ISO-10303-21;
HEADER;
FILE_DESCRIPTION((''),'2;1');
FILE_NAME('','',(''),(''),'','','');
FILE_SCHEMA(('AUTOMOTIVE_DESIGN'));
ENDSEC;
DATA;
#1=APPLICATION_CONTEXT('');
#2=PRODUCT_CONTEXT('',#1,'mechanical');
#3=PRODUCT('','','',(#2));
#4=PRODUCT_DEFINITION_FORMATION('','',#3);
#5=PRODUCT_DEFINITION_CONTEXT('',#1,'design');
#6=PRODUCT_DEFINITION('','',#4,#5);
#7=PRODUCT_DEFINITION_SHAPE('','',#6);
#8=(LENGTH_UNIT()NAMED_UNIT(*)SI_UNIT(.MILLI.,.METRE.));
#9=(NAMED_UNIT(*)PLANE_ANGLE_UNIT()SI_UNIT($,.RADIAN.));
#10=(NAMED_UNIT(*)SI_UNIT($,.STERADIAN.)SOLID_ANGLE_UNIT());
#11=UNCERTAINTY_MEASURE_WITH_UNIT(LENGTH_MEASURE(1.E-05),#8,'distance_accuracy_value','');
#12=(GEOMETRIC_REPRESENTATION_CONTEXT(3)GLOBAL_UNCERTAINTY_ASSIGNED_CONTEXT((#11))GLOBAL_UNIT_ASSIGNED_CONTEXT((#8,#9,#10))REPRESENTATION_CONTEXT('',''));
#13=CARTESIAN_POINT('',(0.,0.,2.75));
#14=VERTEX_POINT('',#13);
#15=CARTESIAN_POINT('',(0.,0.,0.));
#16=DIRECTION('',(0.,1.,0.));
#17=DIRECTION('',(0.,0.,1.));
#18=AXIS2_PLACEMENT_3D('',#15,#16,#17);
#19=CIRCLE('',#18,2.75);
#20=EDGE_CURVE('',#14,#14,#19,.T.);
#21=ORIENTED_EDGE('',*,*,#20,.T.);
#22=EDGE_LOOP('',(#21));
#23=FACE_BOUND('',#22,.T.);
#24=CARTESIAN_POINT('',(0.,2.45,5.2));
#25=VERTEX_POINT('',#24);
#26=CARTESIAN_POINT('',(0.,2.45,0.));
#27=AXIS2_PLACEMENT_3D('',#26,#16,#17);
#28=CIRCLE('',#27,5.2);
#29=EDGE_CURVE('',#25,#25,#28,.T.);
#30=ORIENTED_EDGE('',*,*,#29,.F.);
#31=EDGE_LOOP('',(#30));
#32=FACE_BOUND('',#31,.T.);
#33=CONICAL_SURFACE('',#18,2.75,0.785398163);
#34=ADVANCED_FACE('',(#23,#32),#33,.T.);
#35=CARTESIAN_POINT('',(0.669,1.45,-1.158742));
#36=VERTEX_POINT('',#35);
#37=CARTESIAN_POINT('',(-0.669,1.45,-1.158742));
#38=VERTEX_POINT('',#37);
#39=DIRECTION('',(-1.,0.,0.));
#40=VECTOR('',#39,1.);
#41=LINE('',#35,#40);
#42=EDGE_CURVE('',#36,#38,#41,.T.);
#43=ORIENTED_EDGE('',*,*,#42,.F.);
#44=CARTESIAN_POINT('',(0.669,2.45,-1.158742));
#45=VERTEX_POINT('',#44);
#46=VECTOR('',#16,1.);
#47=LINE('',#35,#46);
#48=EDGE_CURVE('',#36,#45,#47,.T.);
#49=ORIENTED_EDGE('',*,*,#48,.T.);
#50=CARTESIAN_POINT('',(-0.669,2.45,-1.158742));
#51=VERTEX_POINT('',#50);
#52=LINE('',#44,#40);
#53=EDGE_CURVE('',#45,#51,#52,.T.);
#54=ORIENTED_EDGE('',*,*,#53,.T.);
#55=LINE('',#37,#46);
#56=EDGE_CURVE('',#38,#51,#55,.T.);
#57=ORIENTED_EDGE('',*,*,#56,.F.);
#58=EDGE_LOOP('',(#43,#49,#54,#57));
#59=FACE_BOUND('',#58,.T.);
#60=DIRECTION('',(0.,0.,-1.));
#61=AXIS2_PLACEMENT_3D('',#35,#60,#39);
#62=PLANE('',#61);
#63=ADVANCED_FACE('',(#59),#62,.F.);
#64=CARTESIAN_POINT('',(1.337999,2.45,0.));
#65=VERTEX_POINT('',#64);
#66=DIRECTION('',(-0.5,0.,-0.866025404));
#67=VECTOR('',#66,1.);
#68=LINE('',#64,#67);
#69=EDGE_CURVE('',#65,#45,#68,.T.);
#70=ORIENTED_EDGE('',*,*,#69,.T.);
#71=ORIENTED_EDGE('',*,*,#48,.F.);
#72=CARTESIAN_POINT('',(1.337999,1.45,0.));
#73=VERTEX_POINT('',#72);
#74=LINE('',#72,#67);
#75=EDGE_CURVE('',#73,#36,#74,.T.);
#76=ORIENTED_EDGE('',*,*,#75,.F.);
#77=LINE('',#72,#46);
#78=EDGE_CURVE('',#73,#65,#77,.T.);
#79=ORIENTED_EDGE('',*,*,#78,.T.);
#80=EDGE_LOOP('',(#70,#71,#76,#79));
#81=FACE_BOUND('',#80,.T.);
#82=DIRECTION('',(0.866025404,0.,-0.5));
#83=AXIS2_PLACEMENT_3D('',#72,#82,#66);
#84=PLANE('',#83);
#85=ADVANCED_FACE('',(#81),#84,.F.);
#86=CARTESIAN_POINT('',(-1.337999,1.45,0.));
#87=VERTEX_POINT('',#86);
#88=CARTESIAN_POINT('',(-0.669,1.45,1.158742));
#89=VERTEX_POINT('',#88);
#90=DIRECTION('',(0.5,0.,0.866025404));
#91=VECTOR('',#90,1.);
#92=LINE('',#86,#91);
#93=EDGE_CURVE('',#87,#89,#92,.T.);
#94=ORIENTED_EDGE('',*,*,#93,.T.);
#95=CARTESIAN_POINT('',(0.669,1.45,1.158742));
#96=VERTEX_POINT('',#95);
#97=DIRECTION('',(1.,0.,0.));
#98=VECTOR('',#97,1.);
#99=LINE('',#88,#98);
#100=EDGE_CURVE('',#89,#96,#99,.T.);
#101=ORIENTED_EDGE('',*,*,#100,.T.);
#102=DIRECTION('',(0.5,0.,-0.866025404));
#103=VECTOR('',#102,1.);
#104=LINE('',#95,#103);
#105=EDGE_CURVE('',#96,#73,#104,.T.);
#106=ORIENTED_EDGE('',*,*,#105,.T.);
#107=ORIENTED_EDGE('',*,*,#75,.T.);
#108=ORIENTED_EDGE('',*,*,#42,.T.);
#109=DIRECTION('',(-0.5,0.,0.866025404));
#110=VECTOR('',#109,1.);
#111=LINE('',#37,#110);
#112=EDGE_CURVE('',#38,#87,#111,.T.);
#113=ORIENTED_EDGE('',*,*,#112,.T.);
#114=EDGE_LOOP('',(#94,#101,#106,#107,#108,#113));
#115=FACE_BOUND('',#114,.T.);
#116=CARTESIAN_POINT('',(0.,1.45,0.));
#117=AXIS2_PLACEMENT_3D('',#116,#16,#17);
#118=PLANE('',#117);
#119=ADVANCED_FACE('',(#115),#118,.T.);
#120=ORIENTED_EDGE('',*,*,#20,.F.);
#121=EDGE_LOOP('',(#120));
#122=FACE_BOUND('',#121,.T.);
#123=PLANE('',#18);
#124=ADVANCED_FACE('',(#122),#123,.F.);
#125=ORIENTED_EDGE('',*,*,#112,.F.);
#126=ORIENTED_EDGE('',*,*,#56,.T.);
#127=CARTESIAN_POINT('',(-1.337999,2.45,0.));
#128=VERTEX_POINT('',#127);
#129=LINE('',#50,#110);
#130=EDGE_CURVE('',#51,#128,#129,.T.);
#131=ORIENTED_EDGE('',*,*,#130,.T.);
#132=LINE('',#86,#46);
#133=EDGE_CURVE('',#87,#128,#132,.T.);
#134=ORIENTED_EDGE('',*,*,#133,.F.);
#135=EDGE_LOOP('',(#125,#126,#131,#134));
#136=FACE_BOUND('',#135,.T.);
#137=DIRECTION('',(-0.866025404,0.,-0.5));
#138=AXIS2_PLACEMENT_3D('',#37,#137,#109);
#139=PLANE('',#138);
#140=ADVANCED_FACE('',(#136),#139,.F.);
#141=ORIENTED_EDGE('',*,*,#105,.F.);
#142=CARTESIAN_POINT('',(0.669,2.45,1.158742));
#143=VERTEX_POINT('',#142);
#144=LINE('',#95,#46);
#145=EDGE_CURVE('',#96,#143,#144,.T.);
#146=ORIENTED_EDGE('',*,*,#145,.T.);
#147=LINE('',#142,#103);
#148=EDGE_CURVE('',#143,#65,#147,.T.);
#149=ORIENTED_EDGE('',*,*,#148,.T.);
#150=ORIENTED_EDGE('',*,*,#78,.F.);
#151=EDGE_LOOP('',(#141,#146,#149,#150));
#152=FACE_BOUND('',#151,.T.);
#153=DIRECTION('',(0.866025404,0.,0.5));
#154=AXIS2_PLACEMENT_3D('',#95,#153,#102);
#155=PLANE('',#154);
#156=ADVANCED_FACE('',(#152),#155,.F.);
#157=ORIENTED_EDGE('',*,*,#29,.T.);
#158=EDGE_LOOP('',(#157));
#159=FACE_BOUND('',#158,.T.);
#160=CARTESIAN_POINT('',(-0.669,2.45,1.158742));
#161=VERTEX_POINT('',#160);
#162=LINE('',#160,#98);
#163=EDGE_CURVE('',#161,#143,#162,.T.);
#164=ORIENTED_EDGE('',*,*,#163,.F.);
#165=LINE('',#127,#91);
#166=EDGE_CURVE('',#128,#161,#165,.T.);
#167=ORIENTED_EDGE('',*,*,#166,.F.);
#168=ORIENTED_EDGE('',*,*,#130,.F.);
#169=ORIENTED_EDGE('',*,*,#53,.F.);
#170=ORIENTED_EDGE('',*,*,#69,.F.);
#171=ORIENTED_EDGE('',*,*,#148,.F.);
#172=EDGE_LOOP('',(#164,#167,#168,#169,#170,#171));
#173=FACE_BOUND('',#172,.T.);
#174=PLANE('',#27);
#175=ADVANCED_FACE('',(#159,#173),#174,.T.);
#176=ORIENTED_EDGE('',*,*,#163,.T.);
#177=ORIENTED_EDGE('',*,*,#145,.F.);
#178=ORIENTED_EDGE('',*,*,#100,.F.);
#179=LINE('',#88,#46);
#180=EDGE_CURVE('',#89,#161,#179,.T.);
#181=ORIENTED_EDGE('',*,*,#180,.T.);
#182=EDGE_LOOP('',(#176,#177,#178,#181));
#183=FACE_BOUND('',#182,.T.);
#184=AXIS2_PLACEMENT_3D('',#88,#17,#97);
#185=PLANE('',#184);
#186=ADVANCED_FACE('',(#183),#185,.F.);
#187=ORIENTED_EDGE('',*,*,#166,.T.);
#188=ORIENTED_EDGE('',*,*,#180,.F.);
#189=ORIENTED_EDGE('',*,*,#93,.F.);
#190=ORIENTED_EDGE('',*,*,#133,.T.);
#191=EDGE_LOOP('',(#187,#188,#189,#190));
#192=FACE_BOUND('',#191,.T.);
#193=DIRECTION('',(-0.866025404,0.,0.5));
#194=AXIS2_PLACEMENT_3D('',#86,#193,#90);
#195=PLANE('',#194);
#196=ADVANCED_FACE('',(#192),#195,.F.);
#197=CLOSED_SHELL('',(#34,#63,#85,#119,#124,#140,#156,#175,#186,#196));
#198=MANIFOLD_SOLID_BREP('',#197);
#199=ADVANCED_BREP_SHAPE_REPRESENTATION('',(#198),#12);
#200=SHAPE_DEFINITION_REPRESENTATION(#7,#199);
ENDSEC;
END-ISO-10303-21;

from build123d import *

# Parameters (mm, degrees)
SKETCH5_R          = 2.75
SKETCH4_R          = 5.2
CUT_EXTRUDE1_DEPTH = 1


with BuildPart() as part:
    # Sketch5 → Loft1 section 0
    with BuildSketch(Plane(origin=(0, 0, 0), x_dir=(1, 0, 0), z_dir=(0, 1, 0))):
        Circle(SKETCH5_R)
    # Sketch4 → Loft1 section 1
    with BuildSketch(Plane(origin=(0, 2.45, 0), x_dir=(1, 0, 0), z_dir=(0, 1, 0))):
        Circle(SKETCH4_R)
    loft()

    # Sketch6 → Cut-Extrude1 (cut)
    with BuildSketch(Plane(origin=(0, 2.45, 0), x_dir=(1, 0, 0), z_dir=(0, 1, 0))):
        Polygon((1.337999459, 0), (0.66899973, 1.158741522), (-0.66899973, 1.158741522), (-1.337999459, 0), (-0.66899973, -1.158741522), (0.66899973, -1.158741522), align=None)
    extrude(amount=-CUT_EXTRUDE1_DEPTH, mode=Mode.SUBTRACT)


solid = part.part
